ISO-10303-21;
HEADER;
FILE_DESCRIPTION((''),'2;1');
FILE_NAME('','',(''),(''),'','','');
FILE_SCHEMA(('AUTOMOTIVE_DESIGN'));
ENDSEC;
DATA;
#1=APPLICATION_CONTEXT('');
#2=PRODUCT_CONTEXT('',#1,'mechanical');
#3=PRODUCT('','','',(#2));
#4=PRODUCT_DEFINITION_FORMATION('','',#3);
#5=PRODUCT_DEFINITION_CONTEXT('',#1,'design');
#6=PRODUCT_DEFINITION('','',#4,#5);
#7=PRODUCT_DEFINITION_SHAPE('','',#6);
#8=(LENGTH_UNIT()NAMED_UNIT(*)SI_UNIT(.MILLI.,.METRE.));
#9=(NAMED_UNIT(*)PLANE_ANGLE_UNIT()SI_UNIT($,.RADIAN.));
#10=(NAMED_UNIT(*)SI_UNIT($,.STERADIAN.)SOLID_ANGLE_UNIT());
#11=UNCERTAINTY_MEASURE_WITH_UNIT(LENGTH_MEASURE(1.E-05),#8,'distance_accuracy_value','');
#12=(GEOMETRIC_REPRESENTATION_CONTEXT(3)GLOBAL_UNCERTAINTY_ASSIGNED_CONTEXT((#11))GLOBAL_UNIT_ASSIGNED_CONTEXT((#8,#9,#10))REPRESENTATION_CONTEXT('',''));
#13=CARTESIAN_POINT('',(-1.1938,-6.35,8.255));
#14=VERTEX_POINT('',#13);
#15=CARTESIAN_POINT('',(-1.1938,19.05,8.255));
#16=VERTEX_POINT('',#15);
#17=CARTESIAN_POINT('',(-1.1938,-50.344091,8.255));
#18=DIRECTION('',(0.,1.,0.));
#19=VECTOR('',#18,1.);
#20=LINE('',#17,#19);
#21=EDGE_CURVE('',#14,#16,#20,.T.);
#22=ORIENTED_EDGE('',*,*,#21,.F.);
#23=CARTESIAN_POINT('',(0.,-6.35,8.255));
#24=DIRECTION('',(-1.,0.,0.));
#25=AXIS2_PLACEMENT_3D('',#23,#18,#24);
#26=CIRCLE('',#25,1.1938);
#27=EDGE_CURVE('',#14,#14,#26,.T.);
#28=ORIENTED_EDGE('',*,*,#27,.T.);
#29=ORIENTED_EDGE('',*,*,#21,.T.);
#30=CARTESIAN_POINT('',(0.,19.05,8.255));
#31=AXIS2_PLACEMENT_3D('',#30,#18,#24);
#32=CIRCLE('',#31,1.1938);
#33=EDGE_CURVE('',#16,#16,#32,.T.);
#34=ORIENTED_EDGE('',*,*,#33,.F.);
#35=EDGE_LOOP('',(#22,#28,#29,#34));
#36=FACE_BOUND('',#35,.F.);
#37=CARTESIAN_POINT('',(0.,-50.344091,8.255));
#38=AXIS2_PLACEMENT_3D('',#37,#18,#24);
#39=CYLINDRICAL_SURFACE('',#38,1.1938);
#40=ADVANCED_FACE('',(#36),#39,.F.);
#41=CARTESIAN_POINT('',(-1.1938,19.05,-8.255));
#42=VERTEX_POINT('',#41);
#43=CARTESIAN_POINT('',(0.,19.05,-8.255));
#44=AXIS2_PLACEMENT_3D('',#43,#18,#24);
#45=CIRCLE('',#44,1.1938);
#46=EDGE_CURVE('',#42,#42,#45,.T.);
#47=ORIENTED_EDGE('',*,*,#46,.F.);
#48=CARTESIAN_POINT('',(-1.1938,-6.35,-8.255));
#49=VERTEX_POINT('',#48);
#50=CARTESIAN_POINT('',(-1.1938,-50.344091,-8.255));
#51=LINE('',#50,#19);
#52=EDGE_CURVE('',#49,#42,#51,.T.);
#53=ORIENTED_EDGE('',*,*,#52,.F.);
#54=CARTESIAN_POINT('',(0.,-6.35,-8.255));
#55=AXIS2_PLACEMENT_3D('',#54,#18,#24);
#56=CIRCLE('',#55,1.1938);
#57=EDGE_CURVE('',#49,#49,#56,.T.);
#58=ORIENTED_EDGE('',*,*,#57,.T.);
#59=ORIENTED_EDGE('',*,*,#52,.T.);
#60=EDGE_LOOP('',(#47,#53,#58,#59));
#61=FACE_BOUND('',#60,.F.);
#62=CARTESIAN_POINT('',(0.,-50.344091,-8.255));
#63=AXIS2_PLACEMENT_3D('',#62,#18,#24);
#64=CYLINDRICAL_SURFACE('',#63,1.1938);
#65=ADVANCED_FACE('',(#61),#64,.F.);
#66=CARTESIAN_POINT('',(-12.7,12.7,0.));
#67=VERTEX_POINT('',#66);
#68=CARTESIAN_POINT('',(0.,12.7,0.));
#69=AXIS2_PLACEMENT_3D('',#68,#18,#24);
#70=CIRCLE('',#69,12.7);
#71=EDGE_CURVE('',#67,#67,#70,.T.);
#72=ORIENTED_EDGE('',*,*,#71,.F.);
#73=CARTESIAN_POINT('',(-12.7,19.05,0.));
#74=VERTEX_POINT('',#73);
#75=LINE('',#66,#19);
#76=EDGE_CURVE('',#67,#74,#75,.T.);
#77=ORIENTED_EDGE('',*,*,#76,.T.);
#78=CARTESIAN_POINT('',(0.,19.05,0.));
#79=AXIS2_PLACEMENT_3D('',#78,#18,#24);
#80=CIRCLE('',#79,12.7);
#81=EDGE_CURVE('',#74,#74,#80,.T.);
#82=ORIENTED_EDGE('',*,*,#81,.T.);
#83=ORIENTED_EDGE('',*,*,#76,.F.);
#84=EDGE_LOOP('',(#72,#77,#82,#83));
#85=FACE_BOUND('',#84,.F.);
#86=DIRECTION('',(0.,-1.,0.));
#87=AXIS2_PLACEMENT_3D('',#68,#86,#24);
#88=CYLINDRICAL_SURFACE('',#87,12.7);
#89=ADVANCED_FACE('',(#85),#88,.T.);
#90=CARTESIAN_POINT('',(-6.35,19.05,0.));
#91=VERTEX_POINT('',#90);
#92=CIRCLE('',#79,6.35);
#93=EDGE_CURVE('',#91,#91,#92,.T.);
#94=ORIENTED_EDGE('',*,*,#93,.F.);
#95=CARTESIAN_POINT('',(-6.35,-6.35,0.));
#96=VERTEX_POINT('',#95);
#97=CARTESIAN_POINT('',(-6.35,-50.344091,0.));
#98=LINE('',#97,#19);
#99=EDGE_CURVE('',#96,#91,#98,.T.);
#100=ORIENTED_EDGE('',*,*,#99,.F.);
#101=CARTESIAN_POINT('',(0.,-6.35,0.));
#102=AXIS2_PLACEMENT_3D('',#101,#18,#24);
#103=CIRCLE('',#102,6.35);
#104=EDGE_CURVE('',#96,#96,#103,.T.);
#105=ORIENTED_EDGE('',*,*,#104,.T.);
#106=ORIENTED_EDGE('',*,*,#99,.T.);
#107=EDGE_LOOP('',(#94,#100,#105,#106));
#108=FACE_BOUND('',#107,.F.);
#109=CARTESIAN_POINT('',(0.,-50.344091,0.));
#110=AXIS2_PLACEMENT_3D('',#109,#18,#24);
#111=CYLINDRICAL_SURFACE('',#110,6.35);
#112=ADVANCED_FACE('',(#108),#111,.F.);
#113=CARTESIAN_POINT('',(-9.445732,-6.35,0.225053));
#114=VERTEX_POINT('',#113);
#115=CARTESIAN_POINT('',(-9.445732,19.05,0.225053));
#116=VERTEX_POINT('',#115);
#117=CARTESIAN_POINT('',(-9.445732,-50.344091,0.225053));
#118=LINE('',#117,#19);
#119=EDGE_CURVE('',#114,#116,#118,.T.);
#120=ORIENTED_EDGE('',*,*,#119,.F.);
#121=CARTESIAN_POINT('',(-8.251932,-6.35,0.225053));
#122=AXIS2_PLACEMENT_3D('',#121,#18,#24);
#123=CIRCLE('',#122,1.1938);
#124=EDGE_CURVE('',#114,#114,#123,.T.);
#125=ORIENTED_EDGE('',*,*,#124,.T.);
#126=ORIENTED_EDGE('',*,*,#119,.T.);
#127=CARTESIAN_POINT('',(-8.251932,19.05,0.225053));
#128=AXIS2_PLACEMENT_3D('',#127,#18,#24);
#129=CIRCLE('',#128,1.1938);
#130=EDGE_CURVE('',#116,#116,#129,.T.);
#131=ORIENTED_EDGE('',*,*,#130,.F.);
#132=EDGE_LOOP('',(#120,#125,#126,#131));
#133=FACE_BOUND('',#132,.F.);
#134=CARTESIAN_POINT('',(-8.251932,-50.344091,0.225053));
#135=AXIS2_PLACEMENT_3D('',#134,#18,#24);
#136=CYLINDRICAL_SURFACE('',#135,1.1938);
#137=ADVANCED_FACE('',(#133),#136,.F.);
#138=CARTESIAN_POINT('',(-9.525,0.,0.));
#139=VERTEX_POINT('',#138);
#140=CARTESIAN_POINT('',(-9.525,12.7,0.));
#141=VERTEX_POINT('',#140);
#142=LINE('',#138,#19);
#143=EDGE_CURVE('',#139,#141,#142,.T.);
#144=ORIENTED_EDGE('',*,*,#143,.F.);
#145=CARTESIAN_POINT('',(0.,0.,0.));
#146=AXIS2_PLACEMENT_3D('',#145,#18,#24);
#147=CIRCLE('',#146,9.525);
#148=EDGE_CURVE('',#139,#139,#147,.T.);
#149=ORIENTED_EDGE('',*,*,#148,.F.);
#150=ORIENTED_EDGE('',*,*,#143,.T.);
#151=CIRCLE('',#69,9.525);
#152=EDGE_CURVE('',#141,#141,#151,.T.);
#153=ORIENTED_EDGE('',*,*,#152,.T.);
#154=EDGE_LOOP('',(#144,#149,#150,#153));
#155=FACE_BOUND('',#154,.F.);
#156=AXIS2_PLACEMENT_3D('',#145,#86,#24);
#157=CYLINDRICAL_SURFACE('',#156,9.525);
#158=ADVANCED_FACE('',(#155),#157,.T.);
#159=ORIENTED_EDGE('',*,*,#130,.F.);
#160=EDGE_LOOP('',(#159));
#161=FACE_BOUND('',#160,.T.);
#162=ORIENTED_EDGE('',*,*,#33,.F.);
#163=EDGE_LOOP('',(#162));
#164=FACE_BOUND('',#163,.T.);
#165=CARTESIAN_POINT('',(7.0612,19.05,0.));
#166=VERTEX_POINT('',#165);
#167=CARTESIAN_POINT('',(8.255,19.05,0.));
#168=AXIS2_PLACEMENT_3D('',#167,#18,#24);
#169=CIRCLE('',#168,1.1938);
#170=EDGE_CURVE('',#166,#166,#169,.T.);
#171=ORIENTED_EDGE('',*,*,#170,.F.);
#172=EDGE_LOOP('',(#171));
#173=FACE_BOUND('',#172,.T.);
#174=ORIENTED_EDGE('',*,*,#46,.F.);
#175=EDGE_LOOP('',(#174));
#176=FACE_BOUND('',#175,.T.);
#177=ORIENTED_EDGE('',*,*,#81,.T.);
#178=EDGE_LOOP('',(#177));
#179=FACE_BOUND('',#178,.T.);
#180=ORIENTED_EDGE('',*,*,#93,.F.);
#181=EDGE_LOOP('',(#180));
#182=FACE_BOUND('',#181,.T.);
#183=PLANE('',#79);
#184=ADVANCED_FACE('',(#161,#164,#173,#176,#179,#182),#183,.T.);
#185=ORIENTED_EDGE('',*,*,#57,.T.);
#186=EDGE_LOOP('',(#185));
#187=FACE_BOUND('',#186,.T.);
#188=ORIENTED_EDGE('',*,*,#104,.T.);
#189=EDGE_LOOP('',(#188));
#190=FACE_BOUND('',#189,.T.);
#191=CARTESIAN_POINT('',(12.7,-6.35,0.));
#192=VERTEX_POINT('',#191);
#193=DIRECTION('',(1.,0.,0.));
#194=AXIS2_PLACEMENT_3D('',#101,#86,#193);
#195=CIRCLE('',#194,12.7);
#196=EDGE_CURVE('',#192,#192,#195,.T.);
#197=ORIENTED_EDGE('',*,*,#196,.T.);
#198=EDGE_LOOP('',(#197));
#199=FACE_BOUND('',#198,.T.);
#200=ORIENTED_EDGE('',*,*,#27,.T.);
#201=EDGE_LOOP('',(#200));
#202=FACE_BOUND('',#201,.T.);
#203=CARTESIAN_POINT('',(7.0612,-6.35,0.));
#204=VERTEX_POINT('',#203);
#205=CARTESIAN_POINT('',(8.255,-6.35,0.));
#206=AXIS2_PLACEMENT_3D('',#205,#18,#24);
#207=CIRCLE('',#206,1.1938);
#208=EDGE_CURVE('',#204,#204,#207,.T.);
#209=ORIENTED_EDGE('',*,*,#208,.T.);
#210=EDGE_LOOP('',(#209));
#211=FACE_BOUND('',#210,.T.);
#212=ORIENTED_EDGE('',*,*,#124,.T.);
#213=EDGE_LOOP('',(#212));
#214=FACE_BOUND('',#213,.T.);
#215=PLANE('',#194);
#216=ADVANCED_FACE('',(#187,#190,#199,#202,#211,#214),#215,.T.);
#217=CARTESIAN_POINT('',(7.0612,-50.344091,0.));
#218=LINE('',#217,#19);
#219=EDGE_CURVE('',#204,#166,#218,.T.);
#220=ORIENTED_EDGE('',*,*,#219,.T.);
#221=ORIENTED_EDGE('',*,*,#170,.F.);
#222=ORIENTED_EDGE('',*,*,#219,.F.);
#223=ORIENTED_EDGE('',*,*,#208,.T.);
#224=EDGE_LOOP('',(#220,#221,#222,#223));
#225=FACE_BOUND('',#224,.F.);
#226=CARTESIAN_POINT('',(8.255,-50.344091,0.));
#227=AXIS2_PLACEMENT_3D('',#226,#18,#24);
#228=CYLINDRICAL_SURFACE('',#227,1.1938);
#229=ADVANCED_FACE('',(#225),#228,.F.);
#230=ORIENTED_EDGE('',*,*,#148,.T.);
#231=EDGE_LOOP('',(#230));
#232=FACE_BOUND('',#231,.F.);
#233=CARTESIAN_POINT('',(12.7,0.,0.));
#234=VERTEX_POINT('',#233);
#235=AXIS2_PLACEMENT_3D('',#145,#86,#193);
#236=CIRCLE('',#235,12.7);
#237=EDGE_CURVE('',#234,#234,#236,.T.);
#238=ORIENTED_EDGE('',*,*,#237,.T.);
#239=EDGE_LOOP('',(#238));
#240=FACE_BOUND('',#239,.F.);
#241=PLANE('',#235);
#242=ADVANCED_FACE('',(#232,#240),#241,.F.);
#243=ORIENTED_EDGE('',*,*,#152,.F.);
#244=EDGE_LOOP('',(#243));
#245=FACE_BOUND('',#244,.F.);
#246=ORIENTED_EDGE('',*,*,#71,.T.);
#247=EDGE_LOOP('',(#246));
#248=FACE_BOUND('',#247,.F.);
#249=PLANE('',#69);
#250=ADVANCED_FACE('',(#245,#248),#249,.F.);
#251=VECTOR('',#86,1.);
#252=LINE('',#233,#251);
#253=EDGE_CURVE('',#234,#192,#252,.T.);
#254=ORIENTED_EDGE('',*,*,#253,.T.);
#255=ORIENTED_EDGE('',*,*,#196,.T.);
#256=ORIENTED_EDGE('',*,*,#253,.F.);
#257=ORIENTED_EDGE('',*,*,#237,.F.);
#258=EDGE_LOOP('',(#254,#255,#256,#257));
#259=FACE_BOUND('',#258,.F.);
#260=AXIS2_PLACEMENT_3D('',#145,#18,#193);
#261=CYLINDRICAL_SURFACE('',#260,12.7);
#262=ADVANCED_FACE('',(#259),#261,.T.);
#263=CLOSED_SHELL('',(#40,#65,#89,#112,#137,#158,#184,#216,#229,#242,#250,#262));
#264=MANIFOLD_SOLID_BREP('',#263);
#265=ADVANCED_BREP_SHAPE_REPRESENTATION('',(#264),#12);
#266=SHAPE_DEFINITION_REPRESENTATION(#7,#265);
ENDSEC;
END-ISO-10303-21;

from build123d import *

# Parameters (mm, degrees)
F0_R     = 12.7
F1_DEPTH = 6.35
F2_R     = 9.525
F3_DEPTH = 12.7
F4_R     = 12.7
F5_DEPTH = 6.35
F7_D     = 12.7
F8_D     = 2.3876


with BuildPart() as f1:
    # F0 (on Front) → F1 (new body)
    with BuildSketch(Plane.XZ):
        Circle(F0_R)
    extrude(amount=F1_DEPTH)

    # F2 (on face) → F3 (join)
    with BuildSketch(Plane(origin=(0, 0, 0), x_dir=(-1, 0, 0), z_dir=(0, 1, 0))):
        Circle(F2_R)
    extrude(amount=F3_DEPTH)

    # F4 (on face) → F5 (join)
    with BuildSketch(Plane(origin=(0, 12.7, 0), x_dir=(-1, 0, 0), z_dir=(0, 1, 0))):
        Circle(F4_R)
    extrude(amount=F5_DEPTH)

    # F7 (through all)
    with Locations(Plane.XZ.offset(6.35)):
        with Locations((0, 0)):
            Hole(F7_D / 2)

    # F8 (through all)
    with Locations(Plane.XZ.offset(6.35)):
        with Locations((0, 8.255), (-8.2519316698, 0.2250526986), (0, -8.255), (8.255, 0)):
            Hole(F8_D / 2)


solid = f1.part
